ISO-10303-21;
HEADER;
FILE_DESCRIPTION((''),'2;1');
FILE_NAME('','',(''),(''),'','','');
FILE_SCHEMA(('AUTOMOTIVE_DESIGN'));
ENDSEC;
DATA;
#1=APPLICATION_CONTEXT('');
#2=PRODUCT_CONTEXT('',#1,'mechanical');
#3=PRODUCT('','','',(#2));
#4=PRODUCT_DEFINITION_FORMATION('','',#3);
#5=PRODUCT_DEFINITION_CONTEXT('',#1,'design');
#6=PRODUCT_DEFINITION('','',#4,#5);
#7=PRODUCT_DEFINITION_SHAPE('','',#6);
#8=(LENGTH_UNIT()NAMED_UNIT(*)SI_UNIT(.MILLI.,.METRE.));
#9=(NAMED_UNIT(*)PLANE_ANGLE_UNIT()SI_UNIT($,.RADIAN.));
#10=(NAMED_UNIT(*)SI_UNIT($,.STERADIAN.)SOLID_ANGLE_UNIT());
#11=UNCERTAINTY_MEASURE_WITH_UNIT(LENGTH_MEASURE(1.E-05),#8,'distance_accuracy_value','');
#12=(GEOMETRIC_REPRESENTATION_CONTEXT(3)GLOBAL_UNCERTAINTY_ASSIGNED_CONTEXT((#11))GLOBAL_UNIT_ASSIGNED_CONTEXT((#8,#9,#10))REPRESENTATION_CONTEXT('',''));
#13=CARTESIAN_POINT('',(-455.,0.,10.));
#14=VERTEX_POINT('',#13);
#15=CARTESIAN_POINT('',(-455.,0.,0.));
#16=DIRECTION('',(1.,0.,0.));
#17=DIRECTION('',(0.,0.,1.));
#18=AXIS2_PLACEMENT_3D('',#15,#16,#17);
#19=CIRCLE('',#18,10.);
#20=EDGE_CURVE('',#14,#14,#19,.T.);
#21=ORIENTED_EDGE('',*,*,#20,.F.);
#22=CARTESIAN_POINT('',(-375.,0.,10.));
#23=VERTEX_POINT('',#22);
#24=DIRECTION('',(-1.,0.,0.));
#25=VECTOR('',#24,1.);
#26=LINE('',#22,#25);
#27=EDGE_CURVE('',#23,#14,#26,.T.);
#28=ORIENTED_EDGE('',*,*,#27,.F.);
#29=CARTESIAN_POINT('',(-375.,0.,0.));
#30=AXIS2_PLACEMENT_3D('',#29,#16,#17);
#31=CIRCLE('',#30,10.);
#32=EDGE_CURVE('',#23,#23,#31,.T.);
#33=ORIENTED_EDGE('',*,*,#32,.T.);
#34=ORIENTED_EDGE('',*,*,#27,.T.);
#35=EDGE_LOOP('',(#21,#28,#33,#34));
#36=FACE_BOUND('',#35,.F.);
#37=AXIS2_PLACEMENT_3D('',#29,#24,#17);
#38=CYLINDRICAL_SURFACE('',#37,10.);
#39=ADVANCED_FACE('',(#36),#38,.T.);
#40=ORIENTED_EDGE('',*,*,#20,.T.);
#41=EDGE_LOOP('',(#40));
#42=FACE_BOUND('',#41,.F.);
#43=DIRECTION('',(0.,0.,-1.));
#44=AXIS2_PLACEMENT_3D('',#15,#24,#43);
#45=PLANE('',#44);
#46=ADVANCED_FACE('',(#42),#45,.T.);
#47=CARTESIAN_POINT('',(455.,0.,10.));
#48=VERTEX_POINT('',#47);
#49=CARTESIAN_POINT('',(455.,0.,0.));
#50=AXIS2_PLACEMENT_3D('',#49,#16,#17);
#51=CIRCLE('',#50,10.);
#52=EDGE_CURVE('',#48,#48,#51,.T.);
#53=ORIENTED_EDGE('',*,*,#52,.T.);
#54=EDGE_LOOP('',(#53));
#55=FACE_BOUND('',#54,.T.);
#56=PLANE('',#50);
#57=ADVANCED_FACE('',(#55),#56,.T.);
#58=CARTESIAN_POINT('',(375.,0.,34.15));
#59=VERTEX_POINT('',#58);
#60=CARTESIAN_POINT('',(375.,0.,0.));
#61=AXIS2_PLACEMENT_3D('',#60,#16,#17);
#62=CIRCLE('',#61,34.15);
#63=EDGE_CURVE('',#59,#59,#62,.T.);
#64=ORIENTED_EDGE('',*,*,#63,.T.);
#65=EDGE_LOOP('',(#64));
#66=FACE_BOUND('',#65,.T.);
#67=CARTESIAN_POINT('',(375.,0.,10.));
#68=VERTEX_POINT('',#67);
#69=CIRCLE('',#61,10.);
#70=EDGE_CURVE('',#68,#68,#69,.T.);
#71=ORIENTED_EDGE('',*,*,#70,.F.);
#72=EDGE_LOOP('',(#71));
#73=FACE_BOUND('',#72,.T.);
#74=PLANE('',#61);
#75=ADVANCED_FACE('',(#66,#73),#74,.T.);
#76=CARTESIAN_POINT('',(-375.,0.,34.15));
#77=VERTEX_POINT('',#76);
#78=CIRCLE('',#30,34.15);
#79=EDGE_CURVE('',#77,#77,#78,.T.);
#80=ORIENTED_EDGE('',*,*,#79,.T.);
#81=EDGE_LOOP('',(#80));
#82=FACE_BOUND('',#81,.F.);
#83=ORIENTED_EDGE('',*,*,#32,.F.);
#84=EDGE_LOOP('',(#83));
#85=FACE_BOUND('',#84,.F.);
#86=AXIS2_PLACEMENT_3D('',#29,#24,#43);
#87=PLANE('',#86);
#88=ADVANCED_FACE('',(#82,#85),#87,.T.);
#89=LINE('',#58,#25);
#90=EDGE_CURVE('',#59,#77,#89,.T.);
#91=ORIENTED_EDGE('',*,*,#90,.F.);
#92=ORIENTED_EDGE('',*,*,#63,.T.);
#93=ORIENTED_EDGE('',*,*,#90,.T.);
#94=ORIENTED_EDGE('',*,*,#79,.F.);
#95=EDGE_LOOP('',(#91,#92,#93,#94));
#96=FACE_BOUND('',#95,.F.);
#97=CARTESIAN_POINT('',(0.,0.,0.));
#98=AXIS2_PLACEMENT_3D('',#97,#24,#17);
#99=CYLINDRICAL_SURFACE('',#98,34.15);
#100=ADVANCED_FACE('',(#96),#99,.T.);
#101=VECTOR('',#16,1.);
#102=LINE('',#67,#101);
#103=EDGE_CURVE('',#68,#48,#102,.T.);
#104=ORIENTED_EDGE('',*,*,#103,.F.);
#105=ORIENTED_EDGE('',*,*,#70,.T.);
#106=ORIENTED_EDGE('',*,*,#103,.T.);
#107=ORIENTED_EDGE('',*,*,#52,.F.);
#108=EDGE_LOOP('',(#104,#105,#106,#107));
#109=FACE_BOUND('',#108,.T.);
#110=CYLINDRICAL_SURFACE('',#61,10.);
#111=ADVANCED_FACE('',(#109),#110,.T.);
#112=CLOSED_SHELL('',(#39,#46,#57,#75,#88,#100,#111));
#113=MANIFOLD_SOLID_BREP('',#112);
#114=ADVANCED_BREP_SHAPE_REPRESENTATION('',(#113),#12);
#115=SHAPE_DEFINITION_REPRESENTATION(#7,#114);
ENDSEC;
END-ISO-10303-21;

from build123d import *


with BuildPart() as part:
    # roll_75_sketch → Revolution (revolve)
    with BuildSketch(Plane.XZ):
        Polygon((0, 34.15), (375, 34.15), (375, 10), (455, 10), (455, 0), (0, 0), align=None)
    revolution = revolve(axis=Axis((0, 0, 0), (1, 0, 0)))

    # Mirrored: Revolution across roll_75_sketch V_Axis
    add(revolution.mirror(Plane(origin=(0, 0, 0), x_dir=(0, -1, 0), z_dir=(1, 0, 0))))


solid = part.part
